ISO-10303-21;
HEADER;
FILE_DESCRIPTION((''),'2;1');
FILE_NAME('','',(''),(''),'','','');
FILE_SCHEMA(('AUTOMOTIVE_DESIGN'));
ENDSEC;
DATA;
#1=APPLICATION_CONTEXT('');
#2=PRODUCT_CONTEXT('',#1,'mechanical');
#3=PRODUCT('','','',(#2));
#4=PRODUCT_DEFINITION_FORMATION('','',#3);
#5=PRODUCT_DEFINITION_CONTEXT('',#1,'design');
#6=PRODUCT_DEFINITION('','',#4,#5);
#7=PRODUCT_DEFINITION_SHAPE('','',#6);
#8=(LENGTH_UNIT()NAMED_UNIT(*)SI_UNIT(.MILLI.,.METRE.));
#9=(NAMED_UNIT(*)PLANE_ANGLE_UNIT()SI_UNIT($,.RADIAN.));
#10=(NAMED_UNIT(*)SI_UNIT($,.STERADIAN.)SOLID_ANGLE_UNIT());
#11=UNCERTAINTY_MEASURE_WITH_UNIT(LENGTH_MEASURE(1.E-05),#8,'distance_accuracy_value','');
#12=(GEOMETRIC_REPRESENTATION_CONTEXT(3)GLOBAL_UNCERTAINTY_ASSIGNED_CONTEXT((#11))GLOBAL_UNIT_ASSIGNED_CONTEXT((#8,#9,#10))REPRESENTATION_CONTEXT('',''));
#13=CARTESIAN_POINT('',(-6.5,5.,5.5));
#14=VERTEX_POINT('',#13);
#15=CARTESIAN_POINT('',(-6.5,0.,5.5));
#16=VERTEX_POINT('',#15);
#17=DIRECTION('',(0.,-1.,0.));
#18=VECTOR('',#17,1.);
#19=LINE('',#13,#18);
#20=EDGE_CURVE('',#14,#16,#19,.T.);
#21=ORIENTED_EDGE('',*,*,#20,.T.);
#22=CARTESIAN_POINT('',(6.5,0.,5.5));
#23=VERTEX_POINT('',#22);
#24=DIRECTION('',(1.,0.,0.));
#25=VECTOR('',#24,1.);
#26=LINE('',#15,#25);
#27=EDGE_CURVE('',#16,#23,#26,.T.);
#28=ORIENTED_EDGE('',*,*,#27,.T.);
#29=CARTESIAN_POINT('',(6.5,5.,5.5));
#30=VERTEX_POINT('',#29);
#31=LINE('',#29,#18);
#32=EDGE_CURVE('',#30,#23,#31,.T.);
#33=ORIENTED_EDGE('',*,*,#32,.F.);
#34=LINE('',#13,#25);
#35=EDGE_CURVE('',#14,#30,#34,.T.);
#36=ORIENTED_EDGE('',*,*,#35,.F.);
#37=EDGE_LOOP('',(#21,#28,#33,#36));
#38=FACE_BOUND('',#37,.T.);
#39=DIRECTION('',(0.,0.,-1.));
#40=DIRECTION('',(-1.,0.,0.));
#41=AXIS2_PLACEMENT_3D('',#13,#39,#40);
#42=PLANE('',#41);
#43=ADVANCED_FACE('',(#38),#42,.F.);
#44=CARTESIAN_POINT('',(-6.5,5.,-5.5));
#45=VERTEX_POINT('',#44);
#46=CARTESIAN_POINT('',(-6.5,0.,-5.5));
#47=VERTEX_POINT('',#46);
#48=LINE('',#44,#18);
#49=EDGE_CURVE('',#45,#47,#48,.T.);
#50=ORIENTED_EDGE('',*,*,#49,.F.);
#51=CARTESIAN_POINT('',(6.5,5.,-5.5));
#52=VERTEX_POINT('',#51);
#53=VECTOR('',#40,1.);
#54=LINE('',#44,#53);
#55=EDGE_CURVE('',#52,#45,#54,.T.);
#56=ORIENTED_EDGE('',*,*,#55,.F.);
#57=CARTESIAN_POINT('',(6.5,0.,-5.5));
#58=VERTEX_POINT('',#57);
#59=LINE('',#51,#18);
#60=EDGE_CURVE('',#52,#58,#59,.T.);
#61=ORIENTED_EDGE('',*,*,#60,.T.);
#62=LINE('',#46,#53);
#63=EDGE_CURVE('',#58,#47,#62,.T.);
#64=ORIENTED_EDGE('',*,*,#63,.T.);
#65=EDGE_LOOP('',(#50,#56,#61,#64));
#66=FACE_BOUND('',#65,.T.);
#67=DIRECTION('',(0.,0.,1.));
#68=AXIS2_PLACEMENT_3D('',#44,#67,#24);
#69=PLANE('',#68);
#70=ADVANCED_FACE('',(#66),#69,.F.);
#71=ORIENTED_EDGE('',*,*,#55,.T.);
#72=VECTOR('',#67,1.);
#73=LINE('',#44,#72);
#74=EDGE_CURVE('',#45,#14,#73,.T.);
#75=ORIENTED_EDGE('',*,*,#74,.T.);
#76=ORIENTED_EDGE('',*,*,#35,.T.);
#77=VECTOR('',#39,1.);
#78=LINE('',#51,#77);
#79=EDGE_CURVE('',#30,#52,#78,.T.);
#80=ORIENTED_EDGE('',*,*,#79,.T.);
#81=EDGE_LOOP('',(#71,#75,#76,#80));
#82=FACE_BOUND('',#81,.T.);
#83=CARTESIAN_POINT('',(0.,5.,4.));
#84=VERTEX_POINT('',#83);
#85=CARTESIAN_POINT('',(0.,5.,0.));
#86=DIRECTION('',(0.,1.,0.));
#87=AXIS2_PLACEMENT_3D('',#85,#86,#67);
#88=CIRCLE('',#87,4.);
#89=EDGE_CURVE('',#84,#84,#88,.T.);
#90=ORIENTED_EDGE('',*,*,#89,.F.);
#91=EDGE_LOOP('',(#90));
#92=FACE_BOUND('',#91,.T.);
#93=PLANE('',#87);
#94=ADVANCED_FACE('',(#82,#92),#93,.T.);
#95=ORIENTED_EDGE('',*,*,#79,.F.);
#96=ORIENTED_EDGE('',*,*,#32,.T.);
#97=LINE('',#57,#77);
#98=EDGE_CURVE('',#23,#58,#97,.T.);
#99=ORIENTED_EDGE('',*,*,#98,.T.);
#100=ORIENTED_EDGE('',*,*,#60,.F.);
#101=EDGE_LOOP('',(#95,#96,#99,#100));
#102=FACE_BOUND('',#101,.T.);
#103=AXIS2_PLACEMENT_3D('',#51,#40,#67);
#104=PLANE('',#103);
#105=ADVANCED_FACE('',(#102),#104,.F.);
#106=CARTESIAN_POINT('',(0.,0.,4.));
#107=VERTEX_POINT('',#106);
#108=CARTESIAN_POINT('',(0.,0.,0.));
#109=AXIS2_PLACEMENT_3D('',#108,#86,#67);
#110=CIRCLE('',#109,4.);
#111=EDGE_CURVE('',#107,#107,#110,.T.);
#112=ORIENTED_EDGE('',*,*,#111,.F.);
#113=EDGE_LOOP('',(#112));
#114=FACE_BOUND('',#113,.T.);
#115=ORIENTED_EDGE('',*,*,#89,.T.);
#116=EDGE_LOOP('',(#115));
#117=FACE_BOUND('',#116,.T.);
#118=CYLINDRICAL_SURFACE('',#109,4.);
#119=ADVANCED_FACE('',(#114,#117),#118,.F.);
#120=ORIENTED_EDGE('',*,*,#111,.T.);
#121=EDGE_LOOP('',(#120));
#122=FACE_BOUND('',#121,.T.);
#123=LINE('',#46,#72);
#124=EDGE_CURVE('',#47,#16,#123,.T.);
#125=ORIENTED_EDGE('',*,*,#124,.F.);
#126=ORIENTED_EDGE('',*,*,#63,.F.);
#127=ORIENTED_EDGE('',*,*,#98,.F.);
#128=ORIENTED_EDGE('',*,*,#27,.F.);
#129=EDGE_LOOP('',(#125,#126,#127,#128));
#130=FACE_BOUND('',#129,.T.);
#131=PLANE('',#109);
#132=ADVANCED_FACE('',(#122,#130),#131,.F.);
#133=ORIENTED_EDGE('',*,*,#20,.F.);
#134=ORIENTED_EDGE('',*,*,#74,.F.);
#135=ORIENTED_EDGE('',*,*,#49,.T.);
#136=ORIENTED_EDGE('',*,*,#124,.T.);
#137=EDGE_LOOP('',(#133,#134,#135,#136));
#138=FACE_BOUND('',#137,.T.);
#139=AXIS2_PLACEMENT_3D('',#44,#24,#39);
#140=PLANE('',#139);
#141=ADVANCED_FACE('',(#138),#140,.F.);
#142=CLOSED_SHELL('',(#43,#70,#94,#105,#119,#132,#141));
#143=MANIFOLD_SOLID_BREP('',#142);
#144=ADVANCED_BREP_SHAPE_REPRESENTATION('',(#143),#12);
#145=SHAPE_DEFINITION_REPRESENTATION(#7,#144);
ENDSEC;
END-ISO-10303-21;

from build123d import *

# Parameters (mm, degrees)
SKETCH2_W           = 13
SKETCH2_H           = 11
BOSS_EXTRUDE2_DEPTH = 5
SKETCH3_R           = 4
CUT_EXTRUDE1_DEPTH  = 5


with BuildPart() as part:
    # Sketch2 → Boss-Extrude2 (new body)
    with BuildSketch(Plane(origin=(0, 0, 0), x_dir=(1, 0, 0), z_dir=(0, 1, 0))):
        Rectangle(SKETCH2_W, SKETCH2_H)
    extrude(amount=BOSS_EXTRUDE2_DEPTH)

    # Sketch3 → Cut-Extrude1 (cut)
    with BuildSketch(Plane(origin=(0, 5, 0), x_dir=(1, 0, 0), z_dir=(0, 1, 0))):
        with Locations(Location((0, 0, 0), (0, 0, 270))):
            Circle(SKETCH3_R)
    extrude(amount=-CUT_EXTRUDE1_DEPTH, mode=Mode.SUBTRACT)


solid = part.part
